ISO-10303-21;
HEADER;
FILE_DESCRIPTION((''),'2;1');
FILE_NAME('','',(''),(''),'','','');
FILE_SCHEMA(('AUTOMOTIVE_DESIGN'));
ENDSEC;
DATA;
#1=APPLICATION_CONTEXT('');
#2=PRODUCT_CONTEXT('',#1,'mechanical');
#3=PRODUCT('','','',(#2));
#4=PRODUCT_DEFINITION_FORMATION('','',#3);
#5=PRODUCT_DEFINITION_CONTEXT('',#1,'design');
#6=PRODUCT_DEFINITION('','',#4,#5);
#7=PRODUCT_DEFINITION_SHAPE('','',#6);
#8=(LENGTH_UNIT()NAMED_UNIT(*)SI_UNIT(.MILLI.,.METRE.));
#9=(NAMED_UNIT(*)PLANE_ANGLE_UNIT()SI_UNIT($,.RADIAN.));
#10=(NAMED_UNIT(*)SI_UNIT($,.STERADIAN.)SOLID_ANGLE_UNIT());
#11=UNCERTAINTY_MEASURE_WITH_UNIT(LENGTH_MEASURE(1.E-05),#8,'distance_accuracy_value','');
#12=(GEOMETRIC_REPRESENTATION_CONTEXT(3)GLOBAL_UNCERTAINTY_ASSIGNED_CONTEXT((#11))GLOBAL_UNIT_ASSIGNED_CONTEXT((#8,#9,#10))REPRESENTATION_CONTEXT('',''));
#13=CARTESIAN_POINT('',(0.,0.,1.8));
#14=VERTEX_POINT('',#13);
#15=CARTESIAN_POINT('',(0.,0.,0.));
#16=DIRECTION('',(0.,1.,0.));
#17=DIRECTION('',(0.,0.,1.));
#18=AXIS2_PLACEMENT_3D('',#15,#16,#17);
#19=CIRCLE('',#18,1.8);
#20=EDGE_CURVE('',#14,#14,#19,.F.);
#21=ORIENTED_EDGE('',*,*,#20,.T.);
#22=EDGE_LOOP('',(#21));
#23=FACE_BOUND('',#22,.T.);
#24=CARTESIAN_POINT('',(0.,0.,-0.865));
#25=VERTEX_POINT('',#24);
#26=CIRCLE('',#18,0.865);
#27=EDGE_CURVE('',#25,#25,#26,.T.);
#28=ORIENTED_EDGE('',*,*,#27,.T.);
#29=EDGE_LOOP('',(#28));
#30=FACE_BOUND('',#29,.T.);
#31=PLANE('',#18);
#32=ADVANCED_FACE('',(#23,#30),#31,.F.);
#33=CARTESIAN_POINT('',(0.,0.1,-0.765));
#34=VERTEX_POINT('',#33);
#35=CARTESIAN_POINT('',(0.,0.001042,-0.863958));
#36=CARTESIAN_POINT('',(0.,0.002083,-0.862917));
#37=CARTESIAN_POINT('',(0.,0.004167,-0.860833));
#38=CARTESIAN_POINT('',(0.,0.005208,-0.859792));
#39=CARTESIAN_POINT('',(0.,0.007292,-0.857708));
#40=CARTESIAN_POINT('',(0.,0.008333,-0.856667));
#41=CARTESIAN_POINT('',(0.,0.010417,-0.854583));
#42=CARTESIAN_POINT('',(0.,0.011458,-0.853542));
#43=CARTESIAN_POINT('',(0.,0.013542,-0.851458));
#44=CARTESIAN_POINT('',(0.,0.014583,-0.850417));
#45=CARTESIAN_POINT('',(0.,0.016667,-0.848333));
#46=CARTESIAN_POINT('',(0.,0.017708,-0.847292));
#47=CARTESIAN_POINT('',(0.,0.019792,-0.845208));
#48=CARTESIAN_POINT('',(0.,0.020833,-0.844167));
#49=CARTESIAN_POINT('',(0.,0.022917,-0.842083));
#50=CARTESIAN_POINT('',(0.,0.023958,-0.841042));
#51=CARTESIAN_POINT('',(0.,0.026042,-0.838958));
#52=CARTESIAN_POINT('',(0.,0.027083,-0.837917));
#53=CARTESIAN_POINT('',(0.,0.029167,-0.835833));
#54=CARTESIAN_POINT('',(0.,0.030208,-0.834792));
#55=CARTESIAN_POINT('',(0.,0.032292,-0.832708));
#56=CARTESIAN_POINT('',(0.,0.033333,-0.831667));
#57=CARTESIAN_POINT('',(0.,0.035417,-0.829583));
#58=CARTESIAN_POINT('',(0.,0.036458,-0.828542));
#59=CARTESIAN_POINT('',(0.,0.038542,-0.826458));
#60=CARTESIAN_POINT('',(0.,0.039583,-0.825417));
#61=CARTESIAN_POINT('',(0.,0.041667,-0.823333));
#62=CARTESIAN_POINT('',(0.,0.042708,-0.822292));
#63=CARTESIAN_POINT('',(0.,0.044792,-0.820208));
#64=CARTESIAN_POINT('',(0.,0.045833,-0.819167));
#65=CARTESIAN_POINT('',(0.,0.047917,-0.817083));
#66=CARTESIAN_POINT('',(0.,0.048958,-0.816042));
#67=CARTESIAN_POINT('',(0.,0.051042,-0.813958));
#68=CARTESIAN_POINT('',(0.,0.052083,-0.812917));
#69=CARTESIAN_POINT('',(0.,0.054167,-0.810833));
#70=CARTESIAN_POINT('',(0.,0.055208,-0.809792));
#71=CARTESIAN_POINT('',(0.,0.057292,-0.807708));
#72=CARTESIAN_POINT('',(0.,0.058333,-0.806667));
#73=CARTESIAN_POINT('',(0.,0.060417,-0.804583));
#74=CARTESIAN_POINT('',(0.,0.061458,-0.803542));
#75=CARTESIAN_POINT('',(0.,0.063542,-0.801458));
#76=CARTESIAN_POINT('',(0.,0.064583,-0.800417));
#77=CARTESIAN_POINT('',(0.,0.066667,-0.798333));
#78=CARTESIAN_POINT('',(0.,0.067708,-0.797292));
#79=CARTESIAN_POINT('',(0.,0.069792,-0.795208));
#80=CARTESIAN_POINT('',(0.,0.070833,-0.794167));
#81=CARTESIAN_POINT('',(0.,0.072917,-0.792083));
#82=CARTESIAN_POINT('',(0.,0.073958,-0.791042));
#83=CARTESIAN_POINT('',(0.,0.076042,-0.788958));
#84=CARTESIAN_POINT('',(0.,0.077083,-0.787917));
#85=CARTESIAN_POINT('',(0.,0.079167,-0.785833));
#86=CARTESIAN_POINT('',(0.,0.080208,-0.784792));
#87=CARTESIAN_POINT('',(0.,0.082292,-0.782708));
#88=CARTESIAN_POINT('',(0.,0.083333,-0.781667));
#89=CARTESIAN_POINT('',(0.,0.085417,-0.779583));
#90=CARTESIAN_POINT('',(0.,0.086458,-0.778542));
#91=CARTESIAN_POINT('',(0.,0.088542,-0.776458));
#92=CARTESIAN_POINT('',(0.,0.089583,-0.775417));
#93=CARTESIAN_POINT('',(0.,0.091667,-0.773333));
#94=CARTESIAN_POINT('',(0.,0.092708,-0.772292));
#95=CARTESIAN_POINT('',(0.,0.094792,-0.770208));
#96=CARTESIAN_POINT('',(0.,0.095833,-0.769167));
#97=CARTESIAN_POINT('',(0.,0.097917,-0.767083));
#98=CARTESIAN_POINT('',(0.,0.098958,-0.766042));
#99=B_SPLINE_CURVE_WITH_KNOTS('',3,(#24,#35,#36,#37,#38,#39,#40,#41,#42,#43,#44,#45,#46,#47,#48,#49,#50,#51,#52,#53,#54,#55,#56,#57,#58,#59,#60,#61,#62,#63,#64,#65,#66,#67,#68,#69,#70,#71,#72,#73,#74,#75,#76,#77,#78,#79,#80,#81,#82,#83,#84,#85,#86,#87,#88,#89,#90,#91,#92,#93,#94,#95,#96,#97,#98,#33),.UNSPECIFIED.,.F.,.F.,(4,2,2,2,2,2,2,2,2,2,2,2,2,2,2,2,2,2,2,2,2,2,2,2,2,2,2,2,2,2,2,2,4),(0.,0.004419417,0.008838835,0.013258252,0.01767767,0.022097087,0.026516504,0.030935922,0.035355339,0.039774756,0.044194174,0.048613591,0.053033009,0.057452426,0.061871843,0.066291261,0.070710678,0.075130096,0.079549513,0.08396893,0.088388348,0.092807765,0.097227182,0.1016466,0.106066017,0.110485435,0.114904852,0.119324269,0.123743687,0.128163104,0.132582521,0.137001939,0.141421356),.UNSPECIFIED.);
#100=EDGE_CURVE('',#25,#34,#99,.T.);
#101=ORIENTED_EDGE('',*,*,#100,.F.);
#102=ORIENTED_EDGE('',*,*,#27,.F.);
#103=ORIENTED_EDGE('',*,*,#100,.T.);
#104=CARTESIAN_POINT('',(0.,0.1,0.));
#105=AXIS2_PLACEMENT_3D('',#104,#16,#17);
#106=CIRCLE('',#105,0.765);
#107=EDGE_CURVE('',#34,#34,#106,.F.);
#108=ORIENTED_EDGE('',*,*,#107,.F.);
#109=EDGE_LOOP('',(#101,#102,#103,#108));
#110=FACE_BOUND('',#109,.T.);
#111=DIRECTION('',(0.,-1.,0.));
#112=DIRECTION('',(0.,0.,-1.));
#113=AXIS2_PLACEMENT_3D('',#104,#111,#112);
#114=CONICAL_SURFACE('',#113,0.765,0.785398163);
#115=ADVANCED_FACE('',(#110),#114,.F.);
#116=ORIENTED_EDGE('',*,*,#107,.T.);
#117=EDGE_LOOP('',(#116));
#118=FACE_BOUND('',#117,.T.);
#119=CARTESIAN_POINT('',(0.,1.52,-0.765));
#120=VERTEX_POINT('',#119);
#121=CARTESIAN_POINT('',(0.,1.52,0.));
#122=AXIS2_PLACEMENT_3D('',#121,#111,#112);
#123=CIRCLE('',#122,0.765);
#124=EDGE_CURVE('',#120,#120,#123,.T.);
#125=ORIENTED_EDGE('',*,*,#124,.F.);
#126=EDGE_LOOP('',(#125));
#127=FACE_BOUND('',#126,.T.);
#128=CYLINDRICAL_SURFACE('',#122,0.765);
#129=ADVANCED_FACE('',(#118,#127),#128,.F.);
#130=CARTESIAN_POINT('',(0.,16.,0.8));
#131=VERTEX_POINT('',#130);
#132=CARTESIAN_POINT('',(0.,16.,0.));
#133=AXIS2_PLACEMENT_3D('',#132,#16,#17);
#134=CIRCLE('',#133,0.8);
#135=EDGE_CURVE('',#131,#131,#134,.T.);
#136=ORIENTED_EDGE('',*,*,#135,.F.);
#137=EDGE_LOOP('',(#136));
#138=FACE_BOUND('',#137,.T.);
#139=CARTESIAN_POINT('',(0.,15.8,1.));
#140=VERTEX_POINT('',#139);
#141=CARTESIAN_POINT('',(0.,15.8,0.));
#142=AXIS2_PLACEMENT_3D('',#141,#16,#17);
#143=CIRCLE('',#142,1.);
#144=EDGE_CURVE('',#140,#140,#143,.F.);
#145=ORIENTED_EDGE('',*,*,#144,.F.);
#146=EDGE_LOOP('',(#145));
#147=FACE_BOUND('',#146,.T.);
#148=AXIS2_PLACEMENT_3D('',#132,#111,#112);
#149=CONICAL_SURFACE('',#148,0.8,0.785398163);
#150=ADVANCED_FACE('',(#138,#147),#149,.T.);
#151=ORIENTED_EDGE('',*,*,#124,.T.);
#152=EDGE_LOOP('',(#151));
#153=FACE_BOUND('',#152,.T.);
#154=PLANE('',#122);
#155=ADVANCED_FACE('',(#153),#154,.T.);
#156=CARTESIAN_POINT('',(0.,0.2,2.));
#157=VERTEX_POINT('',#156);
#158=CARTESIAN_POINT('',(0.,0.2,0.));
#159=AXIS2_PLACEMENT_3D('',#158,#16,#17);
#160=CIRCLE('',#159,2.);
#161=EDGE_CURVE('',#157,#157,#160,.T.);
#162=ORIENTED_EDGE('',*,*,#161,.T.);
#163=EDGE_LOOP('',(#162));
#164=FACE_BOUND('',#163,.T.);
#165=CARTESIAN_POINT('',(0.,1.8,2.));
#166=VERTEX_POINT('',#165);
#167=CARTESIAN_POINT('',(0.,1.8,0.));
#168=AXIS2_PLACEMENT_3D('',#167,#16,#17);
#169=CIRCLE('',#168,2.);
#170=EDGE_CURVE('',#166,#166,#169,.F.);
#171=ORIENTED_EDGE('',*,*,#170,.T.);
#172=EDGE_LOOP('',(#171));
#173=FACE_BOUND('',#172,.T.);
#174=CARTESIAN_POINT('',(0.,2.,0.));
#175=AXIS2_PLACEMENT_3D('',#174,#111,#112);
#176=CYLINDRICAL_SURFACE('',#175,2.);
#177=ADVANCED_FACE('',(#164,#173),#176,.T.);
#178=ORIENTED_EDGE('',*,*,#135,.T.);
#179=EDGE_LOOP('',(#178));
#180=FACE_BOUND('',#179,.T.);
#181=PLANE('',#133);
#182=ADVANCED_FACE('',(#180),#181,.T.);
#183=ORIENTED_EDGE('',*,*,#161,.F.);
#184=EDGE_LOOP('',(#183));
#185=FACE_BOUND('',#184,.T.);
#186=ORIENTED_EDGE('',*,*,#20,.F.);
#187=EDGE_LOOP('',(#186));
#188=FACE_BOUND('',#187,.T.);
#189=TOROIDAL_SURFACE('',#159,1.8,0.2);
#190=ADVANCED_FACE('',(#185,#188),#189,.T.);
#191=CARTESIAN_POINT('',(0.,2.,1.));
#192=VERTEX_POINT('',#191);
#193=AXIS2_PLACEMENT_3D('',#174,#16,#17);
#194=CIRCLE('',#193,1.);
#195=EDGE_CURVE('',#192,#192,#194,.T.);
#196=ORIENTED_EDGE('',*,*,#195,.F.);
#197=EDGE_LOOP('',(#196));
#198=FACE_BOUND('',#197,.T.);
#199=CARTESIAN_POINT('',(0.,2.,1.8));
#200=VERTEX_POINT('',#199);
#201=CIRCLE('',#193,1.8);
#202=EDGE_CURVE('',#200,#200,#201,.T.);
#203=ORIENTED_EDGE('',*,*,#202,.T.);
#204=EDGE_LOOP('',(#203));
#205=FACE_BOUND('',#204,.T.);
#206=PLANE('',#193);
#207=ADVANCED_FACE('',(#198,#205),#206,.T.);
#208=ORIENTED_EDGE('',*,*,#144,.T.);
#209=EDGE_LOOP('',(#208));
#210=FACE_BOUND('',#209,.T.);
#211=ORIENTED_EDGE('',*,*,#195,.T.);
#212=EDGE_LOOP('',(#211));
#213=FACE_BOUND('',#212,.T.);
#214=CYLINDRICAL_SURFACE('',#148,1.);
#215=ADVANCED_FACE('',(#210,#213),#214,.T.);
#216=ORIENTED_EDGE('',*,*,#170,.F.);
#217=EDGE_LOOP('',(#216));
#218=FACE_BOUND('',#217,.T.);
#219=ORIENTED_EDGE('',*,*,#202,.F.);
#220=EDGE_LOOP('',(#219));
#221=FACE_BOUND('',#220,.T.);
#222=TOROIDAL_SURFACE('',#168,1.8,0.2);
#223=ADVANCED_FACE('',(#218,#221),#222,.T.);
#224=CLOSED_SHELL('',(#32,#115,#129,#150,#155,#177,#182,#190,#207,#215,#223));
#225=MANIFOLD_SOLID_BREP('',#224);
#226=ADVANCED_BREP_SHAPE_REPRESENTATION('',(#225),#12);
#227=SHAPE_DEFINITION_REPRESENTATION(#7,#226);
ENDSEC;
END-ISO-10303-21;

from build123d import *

# Parameters (mm, degrees)
SKETCH_2_R          = 2
EXTRUDE_1_DEPTH     = 2
SKETCH_3_R          = 1
EXTRUDE_2_DEPTH     = 14
FILLET_1_R          = 0.2
SKETCH_4_R          = 0.765
CUT_EXTRUDE_1_DEPTH = 1.52
CHAMFER_1_SIZE      = 0.1
CHAMFER_2_SIZE      = 0.2


with BuildPart() as part:
    # 草图2 → 凸台-拉伸1 (new body)
    with BuildSketch(Plane(origin=(0, 0, 0), x_dir=(1, 0, 0), z_dir=(0, 1, 0))):
        with Locations(Location((0, 0, 0), (0, 0, 270))):
            Circle(SKETCH_2_R)
    extrude(amount=EXTRUDE_1_DEPTH)

    # 草图3 → 凸台-拉伸2 (add)
    with BuildSketch(Plane(origin=(0, 2, 0), x_dir=(1, 0, 0), z_dir=(0, 1, 0))):
        with Locations(Location((0, 0, 0), (0, 0, 270))):
            Circle(SKETCH_3_R)
    extrude(amount=EXTRUDE_2_DEPTH)

    # 圆角1
    fillet_1_edges = [part.edges().sort_by_distance(p)[0] for p in [
        (0, 0, -2),
        (0, 2, -2),
    ]]
    fillet(fillet_1_edges, radius=FILLET_1_R)

    # 草图4 → 切除-拉伸1 (cut)
    with BuildSketch(Plane.XZ):
        with Locations(Location((0, 0, 0), (0, 0, 270))):
            Circle(SKETCH_4_R)
    extrude(amount=-CUT_EXTRUDE_1_DEPTH, mode=Mode.SUBTRACT)

    # 倒角1
    chamfer_1_edges = [part.edges().sort_by_distance(p)[0] for p in [
        (0, 0, 0.765),
    ]]
    chamfer(chamfer_1_edges, length=CHAMFER_1_SIZE)

    # 倒角2
    chamfer_2_edges = [part.edges().sort_by_distance(p)[0] for p in [
        (0, 16, -1),
    ]]
    chamfer(chamfer_2_edges, length=CHAMFER_2_SIZE)


solid = part.part
